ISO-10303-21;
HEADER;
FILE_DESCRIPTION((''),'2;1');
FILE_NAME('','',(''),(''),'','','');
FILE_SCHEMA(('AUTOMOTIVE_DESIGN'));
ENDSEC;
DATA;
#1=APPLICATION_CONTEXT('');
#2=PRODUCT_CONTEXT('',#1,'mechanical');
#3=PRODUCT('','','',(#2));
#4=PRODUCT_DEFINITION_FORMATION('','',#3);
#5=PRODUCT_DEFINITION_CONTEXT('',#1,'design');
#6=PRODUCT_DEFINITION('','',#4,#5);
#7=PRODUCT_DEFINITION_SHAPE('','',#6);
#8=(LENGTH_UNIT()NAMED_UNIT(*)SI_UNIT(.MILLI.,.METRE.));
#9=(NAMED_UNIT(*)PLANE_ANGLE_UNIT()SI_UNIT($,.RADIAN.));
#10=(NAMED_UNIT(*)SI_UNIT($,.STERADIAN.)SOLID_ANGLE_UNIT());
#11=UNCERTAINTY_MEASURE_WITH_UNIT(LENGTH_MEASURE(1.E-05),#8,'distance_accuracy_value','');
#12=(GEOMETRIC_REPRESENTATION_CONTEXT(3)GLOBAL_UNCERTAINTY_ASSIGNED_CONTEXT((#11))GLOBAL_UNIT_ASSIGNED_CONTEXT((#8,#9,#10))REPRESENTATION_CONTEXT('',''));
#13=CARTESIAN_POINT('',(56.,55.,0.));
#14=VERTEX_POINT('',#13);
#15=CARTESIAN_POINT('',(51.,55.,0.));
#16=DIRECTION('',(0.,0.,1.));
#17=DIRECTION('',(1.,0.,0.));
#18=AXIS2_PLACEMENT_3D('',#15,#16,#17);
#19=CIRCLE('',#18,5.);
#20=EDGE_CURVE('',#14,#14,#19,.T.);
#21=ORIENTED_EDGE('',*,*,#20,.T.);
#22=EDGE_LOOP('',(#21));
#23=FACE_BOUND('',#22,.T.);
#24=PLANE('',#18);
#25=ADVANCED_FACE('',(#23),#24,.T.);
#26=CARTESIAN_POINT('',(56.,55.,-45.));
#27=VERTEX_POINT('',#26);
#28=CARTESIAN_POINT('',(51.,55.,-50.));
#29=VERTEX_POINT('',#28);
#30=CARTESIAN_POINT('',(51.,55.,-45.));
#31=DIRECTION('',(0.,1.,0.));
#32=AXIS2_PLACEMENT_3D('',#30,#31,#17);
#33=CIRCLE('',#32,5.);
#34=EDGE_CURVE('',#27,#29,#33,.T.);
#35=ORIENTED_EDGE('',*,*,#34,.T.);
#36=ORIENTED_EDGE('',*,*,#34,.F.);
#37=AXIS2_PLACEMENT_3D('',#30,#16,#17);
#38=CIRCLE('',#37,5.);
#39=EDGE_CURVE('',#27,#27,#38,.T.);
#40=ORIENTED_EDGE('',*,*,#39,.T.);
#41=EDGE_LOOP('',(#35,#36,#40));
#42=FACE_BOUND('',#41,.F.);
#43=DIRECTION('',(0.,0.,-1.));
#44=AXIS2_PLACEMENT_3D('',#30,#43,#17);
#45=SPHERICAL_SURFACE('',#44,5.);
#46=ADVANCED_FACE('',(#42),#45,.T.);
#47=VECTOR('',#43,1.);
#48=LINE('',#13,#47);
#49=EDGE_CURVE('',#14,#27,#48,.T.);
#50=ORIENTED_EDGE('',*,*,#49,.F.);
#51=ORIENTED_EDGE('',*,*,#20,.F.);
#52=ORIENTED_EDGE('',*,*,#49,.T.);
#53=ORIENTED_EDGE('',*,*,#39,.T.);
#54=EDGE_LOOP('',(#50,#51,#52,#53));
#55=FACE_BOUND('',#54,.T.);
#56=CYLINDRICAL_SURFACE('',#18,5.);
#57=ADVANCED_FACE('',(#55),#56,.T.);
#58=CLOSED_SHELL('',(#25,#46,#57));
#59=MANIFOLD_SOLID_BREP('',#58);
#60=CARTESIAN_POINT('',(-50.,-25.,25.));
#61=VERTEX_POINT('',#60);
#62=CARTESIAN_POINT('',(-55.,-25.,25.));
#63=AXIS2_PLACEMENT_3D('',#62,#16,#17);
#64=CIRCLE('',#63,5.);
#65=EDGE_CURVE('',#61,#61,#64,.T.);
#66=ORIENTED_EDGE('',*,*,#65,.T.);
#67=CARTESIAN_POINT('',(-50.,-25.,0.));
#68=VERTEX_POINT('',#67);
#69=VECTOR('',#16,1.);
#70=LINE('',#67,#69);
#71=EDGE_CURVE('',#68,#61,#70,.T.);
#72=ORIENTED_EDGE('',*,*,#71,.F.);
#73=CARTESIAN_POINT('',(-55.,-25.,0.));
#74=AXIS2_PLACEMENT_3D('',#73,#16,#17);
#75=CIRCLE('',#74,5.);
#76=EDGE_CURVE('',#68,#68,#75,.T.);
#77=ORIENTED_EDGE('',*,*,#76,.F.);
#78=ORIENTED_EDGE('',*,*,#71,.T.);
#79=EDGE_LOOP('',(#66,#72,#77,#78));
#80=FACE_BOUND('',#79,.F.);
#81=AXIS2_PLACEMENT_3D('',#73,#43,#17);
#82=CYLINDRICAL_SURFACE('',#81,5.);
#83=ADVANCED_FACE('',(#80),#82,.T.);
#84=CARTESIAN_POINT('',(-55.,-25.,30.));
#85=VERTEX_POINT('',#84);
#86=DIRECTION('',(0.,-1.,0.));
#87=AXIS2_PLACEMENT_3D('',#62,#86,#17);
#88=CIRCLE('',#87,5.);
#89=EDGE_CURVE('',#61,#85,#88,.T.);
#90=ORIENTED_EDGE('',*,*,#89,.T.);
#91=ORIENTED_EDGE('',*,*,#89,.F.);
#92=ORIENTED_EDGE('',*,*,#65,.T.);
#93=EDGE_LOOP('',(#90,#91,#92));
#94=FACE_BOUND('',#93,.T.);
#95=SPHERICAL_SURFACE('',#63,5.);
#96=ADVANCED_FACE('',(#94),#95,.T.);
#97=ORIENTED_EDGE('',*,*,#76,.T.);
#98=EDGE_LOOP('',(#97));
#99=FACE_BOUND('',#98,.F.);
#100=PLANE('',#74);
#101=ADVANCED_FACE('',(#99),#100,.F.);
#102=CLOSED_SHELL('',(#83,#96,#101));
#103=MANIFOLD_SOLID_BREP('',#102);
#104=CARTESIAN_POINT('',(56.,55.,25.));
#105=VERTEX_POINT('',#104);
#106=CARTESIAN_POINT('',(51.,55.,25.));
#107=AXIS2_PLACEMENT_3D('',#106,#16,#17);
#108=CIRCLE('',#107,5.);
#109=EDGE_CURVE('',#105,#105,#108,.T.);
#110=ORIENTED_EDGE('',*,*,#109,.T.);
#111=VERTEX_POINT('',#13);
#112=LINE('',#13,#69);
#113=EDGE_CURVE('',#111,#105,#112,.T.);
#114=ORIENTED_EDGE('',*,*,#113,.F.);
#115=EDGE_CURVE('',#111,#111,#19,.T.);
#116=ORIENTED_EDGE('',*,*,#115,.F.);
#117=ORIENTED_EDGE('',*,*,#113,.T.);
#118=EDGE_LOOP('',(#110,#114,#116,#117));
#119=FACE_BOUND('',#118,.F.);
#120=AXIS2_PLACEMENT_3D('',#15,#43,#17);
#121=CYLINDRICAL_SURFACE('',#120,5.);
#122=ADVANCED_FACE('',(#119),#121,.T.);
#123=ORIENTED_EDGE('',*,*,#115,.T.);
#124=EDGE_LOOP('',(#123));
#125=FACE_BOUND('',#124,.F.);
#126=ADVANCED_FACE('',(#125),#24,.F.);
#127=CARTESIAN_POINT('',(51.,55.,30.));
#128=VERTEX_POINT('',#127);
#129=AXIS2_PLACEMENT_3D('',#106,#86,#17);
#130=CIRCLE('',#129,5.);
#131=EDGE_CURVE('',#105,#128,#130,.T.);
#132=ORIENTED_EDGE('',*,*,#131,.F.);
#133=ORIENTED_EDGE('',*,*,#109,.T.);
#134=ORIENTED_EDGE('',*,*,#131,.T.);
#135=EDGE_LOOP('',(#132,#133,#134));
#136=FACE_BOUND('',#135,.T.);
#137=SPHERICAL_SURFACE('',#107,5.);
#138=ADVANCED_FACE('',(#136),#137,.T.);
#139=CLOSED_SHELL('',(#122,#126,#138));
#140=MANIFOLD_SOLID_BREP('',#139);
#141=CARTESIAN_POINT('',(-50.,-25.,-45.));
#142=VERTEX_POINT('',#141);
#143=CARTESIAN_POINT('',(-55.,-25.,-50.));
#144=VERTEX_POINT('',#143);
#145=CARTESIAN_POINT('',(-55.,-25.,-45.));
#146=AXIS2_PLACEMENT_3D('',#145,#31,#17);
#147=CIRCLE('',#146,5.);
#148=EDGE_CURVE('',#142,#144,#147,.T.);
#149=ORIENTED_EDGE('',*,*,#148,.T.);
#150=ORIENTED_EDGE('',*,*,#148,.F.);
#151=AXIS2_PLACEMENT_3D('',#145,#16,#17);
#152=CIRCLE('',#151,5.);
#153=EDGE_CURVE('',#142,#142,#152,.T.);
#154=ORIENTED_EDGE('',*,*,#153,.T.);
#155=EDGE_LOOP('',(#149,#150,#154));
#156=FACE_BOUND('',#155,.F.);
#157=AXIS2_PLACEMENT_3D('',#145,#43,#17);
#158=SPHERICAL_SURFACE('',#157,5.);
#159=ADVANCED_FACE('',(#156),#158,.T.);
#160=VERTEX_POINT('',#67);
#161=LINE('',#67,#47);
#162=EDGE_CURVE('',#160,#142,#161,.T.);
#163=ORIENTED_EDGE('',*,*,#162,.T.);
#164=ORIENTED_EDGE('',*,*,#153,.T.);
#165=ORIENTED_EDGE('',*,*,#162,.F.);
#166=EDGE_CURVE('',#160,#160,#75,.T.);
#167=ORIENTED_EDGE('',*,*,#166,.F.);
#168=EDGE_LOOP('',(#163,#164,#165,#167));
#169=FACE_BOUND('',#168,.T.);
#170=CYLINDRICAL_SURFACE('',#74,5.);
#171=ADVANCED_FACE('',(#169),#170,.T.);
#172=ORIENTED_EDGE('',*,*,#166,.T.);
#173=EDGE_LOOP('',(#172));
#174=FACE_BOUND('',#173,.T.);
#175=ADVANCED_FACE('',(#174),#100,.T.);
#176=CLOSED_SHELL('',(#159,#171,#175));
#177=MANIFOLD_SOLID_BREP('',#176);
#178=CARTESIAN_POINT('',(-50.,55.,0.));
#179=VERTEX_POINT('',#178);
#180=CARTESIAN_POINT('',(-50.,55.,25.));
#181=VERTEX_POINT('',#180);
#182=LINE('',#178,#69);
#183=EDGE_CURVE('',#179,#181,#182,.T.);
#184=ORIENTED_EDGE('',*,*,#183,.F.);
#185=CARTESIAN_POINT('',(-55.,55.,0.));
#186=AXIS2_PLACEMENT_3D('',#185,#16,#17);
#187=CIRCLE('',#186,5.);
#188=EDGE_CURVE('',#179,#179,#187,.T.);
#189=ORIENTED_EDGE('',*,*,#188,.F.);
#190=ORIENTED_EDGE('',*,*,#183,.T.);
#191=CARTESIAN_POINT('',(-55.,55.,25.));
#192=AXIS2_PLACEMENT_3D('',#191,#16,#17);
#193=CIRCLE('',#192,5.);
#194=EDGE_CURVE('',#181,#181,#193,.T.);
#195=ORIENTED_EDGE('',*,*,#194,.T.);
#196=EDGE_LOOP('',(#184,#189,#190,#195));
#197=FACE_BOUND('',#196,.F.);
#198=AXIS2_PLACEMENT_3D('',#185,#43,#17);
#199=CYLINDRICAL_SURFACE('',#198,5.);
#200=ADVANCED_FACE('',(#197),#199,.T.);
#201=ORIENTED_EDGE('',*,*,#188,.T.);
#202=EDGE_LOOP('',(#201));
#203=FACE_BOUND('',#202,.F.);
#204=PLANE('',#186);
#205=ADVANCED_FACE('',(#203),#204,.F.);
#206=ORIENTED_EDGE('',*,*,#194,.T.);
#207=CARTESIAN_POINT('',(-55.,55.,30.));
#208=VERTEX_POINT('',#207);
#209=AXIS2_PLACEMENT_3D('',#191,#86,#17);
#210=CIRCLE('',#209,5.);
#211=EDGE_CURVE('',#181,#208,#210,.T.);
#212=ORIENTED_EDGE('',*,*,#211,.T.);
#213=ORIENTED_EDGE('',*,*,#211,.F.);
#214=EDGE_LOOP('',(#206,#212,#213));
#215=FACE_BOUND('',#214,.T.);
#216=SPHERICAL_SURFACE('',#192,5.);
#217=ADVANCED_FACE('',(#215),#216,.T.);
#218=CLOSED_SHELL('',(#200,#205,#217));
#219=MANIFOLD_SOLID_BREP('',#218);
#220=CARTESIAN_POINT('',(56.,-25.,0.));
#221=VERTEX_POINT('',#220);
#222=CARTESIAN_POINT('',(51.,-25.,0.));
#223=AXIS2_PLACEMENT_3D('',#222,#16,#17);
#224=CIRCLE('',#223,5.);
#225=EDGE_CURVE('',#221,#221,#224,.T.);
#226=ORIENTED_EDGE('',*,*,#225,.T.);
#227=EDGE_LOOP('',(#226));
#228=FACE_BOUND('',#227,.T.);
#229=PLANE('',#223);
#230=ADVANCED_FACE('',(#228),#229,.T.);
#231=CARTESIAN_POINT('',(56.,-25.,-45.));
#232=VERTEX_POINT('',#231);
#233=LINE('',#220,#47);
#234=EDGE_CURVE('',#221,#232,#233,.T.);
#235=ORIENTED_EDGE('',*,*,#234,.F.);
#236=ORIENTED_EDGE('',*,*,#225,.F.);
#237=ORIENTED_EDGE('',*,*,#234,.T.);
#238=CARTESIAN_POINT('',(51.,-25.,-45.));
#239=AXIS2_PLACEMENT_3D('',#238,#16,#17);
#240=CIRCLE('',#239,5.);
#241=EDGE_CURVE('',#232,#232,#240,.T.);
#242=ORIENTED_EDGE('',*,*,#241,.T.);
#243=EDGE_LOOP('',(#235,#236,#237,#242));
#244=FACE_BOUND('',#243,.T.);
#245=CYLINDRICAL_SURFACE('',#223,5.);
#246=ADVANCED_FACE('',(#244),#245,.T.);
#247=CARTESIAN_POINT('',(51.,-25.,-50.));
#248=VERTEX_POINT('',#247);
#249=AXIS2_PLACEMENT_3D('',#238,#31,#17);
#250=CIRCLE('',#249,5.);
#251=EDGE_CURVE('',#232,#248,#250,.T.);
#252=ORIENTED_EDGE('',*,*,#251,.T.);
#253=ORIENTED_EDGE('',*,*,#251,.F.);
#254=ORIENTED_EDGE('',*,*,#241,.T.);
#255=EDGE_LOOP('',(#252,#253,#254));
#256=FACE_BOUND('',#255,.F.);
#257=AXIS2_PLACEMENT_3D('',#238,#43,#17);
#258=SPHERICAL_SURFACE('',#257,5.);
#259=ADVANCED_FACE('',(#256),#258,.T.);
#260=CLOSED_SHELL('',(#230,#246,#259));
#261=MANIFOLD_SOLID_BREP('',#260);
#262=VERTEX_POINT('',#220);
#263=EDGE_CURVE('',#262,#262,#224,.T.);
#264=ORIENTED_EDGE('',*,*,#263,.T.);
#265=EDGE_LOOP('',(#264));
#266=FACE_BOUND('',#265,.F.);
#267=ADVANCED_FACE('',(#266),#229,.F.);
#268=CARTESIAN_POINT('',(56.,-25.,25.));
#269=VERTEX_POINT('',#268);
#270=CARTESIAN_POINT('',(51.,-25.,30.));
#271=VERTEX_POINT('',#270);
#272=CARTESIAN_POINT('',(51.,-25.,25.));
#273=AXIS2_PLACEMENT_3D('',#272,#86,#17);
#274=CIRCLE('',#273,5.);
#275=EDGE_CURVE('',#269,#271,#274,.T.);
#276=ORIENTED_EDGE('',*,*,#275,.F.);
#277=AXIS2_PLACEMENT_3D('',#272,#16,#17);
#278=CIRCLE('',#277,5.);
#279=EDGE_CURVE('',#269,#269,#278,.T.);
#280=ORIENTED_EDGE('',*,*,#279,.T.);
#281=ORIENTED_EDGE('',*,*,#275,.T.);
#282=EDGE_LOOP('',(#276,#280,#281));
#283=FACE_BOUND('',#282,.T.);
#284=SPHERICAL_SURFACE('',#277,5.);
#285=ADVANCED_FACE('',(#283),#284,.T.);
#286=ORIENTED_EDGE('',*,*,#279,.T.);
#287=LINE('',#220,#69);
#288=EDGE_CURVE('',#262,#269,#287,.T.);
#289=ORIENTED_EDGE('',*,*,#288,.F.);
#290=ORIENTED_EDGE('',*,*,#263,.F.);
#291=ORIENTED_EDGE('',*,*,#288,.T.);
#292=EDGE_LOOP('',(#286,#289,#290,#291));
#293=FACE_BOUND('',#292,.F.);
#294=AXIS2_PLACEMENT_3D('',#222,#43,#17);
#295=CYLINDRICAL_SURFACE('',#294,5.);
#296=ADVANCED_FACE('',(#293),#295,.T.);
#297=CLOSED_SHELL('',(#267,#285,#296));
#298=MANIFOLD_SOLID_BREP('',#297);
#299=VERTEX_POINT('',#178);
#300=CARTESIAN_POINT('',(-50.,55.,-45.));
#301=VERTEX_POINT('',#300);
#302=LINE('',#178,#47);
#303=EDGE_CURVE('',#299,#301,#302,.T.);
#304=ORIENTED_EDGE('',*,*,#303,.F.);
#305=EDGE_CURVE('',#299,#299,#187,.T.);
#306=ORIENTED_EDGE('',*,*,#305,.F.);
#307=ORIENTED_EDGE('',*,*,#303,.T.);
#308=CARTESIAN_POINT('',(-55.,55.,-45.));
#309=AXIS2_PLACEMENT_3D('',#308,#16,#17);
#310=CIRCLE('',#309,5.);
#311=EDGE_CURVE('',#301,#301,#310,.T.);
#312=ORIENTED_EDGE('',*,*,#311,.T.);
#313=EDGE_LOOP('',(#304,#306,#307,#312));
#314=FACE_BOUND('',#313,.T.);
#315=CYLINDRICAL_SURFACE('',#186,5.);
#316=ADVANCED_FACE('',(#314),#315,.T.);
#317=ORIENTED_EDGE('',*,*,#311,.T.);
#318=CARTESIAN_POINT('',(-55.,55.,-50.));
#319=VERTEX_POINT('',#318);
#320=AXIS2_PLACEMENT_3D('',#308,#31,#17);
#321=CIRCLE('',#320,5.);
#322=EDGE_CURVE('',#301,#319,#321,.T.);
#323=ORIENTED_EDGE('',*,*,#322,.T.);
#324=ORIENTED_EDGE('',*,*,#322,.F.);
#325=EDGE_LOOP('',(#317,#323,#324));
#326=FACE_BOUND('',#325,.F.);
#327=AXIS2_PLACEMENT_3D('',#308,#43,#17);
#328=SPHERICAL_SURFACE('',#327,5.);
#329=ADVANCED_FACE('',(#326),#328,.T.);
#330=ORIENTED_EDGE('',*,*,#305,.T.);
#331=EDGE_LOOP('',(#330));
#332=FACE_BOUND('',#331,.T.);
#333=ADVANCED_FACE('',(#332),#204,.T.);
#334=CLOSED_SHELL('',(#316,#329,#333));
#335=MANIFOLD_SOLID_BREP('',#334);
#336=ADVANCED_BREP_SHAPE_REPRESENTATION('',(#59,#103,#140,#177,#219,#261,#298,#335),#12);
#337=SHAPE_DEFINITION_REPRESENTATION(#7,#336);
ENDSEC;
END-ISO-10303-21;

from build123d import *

# Parameters (mm, degrees)
F0_R      = 5
F1_DEPTH  = 50
F1_FACE_R = 5
F2_DEPTH  = 30
F3_R      = 5
F3_2_R    = 5


with BuildPart() as f1:
    # F0 (on Top) → F1 (new body)
    with BuildSketch(Plane.XY):
        with Locations((-55, 55)):
            Circle(F0_R)
        with Locations((51, 55)):
            Circle(F0_R)
        with Locations((51, -25)):
            Circle(F0_R)
        with Locations((-55, -25)):
            Circle(F0_R)
    extrude(amount=-F1_DEPTH)

    # F3#2
    f3_2_edges = [f1.edges().sort_by_distance(p)[0] for p in [
        (-60, 55, -50),
        (46, 55, -50),
        (46, -25, -50),
        (-60, -25, -50),
    ]]
    fillet(f3_2_edges, radius=F3_2_R)


with BuildPart() as f2:
    # F1_face (on face) → F2 (new body)
    with BuildSketch(Plane(origin=(-55, 55, 0), x_dir=(1, 0, 0), z_dir=(0, 0, 1))):
        Circle(F1_FACE_R)
        with Locations((106, 0)):
            Circle(F1_FACE_R)
        with Locations((106, -80)):
            Circle(F1_FACE_R)
        with Locations((0, -80)):
            Circle(F1_FACE_R)
    extrude(amount=F2_DEPTH)

    # F3
    f3_edges = [f2.edges().sort_by_distance(p)[0] for p in [
        (-60, 55, 30),
        (46, 55, 30),
        (46, -25, 30),
        (-60, -25, 30),
    ]]
    fillet(f3_edges, radius=F3_R)


solid = Compound([f1.part, f2.part])
